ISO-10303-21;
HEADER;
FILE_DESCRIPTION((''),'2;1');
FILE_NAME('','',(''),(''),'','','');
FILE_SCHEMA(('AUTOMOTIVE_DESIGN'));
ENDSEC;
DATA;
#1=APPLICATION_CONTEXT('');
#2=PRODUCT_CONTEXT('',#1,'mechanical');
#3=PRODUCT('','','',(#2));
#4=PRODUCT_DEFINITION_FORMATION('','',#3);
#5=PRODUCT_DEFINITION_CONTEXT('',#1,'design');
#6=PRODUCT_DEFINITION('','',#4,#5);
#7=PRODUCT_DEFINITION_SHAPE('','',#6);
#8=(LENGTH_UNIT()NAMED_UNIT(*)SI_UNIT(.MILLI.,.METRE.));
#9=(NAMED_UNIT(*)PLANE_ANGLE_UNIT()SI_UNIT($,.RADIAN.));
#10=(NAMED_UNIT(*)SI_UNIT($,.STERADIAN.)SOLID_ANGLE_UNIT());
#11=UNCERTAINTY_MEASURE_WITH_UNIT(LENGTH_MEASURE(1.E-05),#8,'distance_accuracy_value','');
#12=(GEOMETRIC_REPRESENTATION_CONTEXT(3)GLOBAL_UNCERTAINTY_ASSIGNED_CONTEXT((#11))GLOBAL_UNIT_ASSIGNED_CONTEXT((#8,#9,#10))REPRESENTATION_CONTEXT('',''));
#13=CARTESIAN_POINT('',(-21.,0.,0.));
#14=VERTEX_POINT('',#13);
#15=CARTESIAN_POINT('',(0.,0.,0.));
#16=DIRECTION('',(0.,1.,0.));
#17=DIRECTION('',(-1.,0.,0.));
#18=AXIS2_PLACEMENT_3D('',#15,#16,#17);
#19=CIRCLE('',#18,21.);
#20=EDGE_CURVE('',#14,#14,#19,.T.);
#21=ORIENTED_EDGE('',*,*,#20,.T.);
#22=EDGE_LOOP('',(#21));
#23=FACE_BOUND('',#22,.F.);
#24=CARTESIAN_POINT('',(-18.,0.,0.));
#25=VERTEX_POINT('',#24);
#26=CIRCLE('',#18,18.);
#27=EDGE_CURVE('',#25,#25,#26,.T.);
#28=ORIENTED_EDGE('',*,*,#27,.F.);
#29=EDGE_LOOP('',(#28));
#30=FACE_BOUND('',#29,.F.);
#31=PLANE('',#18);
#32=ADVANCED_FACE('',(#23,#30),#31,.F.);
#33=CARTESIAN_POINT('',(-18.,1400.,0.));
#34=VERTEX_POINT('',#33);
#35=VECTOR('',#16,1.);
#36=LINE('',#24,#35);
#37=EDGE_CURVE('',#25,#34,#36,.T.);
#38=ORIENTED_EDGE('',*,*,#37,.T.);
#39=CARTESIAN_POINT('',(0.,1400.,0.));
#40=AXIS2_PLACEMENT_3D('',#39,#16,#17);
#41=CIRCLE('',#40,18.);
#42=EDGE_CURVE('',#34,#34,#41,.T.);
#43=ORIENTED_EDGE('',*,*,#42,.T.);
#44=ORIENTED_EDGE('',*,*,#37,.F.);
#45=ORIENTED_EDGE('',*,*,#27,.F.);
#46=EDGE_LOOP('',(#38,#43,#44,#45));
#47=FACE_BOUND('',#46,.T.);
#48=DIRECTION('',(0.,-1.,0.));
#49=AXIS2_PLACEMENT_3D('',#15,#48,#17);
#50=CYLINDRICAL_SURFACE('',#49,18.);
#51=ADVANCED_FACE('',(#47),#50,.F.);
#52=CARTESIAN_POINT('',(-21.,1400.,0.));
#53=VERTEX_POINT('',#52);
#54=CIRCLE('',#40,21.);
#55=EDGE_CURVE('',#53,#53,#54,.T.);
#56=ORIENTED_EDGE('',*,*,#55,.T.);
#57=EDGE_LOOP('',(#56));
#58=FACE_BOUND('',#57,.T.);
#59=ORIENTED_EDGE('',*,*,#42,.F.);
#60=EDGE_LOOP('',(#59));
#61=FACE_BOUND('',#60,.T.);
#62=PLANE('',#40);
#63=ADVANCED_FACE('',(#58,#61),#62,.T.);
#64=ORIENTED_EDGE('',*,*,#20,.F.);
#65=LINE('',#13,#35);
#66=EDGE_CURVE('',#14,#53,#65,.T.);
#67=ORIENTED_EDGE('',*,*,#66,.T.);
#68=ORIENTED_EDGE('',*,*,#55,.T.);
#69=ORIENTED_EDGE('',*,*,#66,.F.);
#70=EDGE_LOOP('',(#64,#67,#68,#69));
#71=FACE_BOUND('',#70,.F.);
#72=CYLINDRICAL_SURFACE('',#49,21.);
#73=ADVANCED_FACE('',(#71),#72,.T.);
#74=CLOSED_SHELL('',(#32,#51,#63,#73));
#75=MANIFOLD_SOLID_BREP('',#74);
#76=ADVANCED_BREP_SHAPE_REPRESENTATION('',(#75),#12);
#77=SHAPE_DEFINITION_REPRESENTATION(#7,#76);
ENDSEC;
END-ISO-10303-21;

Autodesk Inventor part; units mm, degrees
ref_plane "YZ Plane" through (0, 0, 0) normal (1, 0, 0) x (0, 1, 0)
ref_plane "XZ Plane" through (0, 0, 0) normal (0, 1, 0) x (-1, 0, 0)
ref_plane "XY Plane" through (0, 0, 0) normal (0, 0, 1) x (1, 0, 0)
sketch "Sketch1" plane through (0, 0, 0) normal (0, 1, 0) x (-1, 0, 0)
  circle A0 centre (0, 0) radius 21
  circle A1 centre (0, 0) radius 18
  dimension "d0" = 42
  dimension "d1" = 3
extrude "Extrusion1" add sketch "Sketch1" along normal blind 1400
properties part number "Spar" material "CFRP"
